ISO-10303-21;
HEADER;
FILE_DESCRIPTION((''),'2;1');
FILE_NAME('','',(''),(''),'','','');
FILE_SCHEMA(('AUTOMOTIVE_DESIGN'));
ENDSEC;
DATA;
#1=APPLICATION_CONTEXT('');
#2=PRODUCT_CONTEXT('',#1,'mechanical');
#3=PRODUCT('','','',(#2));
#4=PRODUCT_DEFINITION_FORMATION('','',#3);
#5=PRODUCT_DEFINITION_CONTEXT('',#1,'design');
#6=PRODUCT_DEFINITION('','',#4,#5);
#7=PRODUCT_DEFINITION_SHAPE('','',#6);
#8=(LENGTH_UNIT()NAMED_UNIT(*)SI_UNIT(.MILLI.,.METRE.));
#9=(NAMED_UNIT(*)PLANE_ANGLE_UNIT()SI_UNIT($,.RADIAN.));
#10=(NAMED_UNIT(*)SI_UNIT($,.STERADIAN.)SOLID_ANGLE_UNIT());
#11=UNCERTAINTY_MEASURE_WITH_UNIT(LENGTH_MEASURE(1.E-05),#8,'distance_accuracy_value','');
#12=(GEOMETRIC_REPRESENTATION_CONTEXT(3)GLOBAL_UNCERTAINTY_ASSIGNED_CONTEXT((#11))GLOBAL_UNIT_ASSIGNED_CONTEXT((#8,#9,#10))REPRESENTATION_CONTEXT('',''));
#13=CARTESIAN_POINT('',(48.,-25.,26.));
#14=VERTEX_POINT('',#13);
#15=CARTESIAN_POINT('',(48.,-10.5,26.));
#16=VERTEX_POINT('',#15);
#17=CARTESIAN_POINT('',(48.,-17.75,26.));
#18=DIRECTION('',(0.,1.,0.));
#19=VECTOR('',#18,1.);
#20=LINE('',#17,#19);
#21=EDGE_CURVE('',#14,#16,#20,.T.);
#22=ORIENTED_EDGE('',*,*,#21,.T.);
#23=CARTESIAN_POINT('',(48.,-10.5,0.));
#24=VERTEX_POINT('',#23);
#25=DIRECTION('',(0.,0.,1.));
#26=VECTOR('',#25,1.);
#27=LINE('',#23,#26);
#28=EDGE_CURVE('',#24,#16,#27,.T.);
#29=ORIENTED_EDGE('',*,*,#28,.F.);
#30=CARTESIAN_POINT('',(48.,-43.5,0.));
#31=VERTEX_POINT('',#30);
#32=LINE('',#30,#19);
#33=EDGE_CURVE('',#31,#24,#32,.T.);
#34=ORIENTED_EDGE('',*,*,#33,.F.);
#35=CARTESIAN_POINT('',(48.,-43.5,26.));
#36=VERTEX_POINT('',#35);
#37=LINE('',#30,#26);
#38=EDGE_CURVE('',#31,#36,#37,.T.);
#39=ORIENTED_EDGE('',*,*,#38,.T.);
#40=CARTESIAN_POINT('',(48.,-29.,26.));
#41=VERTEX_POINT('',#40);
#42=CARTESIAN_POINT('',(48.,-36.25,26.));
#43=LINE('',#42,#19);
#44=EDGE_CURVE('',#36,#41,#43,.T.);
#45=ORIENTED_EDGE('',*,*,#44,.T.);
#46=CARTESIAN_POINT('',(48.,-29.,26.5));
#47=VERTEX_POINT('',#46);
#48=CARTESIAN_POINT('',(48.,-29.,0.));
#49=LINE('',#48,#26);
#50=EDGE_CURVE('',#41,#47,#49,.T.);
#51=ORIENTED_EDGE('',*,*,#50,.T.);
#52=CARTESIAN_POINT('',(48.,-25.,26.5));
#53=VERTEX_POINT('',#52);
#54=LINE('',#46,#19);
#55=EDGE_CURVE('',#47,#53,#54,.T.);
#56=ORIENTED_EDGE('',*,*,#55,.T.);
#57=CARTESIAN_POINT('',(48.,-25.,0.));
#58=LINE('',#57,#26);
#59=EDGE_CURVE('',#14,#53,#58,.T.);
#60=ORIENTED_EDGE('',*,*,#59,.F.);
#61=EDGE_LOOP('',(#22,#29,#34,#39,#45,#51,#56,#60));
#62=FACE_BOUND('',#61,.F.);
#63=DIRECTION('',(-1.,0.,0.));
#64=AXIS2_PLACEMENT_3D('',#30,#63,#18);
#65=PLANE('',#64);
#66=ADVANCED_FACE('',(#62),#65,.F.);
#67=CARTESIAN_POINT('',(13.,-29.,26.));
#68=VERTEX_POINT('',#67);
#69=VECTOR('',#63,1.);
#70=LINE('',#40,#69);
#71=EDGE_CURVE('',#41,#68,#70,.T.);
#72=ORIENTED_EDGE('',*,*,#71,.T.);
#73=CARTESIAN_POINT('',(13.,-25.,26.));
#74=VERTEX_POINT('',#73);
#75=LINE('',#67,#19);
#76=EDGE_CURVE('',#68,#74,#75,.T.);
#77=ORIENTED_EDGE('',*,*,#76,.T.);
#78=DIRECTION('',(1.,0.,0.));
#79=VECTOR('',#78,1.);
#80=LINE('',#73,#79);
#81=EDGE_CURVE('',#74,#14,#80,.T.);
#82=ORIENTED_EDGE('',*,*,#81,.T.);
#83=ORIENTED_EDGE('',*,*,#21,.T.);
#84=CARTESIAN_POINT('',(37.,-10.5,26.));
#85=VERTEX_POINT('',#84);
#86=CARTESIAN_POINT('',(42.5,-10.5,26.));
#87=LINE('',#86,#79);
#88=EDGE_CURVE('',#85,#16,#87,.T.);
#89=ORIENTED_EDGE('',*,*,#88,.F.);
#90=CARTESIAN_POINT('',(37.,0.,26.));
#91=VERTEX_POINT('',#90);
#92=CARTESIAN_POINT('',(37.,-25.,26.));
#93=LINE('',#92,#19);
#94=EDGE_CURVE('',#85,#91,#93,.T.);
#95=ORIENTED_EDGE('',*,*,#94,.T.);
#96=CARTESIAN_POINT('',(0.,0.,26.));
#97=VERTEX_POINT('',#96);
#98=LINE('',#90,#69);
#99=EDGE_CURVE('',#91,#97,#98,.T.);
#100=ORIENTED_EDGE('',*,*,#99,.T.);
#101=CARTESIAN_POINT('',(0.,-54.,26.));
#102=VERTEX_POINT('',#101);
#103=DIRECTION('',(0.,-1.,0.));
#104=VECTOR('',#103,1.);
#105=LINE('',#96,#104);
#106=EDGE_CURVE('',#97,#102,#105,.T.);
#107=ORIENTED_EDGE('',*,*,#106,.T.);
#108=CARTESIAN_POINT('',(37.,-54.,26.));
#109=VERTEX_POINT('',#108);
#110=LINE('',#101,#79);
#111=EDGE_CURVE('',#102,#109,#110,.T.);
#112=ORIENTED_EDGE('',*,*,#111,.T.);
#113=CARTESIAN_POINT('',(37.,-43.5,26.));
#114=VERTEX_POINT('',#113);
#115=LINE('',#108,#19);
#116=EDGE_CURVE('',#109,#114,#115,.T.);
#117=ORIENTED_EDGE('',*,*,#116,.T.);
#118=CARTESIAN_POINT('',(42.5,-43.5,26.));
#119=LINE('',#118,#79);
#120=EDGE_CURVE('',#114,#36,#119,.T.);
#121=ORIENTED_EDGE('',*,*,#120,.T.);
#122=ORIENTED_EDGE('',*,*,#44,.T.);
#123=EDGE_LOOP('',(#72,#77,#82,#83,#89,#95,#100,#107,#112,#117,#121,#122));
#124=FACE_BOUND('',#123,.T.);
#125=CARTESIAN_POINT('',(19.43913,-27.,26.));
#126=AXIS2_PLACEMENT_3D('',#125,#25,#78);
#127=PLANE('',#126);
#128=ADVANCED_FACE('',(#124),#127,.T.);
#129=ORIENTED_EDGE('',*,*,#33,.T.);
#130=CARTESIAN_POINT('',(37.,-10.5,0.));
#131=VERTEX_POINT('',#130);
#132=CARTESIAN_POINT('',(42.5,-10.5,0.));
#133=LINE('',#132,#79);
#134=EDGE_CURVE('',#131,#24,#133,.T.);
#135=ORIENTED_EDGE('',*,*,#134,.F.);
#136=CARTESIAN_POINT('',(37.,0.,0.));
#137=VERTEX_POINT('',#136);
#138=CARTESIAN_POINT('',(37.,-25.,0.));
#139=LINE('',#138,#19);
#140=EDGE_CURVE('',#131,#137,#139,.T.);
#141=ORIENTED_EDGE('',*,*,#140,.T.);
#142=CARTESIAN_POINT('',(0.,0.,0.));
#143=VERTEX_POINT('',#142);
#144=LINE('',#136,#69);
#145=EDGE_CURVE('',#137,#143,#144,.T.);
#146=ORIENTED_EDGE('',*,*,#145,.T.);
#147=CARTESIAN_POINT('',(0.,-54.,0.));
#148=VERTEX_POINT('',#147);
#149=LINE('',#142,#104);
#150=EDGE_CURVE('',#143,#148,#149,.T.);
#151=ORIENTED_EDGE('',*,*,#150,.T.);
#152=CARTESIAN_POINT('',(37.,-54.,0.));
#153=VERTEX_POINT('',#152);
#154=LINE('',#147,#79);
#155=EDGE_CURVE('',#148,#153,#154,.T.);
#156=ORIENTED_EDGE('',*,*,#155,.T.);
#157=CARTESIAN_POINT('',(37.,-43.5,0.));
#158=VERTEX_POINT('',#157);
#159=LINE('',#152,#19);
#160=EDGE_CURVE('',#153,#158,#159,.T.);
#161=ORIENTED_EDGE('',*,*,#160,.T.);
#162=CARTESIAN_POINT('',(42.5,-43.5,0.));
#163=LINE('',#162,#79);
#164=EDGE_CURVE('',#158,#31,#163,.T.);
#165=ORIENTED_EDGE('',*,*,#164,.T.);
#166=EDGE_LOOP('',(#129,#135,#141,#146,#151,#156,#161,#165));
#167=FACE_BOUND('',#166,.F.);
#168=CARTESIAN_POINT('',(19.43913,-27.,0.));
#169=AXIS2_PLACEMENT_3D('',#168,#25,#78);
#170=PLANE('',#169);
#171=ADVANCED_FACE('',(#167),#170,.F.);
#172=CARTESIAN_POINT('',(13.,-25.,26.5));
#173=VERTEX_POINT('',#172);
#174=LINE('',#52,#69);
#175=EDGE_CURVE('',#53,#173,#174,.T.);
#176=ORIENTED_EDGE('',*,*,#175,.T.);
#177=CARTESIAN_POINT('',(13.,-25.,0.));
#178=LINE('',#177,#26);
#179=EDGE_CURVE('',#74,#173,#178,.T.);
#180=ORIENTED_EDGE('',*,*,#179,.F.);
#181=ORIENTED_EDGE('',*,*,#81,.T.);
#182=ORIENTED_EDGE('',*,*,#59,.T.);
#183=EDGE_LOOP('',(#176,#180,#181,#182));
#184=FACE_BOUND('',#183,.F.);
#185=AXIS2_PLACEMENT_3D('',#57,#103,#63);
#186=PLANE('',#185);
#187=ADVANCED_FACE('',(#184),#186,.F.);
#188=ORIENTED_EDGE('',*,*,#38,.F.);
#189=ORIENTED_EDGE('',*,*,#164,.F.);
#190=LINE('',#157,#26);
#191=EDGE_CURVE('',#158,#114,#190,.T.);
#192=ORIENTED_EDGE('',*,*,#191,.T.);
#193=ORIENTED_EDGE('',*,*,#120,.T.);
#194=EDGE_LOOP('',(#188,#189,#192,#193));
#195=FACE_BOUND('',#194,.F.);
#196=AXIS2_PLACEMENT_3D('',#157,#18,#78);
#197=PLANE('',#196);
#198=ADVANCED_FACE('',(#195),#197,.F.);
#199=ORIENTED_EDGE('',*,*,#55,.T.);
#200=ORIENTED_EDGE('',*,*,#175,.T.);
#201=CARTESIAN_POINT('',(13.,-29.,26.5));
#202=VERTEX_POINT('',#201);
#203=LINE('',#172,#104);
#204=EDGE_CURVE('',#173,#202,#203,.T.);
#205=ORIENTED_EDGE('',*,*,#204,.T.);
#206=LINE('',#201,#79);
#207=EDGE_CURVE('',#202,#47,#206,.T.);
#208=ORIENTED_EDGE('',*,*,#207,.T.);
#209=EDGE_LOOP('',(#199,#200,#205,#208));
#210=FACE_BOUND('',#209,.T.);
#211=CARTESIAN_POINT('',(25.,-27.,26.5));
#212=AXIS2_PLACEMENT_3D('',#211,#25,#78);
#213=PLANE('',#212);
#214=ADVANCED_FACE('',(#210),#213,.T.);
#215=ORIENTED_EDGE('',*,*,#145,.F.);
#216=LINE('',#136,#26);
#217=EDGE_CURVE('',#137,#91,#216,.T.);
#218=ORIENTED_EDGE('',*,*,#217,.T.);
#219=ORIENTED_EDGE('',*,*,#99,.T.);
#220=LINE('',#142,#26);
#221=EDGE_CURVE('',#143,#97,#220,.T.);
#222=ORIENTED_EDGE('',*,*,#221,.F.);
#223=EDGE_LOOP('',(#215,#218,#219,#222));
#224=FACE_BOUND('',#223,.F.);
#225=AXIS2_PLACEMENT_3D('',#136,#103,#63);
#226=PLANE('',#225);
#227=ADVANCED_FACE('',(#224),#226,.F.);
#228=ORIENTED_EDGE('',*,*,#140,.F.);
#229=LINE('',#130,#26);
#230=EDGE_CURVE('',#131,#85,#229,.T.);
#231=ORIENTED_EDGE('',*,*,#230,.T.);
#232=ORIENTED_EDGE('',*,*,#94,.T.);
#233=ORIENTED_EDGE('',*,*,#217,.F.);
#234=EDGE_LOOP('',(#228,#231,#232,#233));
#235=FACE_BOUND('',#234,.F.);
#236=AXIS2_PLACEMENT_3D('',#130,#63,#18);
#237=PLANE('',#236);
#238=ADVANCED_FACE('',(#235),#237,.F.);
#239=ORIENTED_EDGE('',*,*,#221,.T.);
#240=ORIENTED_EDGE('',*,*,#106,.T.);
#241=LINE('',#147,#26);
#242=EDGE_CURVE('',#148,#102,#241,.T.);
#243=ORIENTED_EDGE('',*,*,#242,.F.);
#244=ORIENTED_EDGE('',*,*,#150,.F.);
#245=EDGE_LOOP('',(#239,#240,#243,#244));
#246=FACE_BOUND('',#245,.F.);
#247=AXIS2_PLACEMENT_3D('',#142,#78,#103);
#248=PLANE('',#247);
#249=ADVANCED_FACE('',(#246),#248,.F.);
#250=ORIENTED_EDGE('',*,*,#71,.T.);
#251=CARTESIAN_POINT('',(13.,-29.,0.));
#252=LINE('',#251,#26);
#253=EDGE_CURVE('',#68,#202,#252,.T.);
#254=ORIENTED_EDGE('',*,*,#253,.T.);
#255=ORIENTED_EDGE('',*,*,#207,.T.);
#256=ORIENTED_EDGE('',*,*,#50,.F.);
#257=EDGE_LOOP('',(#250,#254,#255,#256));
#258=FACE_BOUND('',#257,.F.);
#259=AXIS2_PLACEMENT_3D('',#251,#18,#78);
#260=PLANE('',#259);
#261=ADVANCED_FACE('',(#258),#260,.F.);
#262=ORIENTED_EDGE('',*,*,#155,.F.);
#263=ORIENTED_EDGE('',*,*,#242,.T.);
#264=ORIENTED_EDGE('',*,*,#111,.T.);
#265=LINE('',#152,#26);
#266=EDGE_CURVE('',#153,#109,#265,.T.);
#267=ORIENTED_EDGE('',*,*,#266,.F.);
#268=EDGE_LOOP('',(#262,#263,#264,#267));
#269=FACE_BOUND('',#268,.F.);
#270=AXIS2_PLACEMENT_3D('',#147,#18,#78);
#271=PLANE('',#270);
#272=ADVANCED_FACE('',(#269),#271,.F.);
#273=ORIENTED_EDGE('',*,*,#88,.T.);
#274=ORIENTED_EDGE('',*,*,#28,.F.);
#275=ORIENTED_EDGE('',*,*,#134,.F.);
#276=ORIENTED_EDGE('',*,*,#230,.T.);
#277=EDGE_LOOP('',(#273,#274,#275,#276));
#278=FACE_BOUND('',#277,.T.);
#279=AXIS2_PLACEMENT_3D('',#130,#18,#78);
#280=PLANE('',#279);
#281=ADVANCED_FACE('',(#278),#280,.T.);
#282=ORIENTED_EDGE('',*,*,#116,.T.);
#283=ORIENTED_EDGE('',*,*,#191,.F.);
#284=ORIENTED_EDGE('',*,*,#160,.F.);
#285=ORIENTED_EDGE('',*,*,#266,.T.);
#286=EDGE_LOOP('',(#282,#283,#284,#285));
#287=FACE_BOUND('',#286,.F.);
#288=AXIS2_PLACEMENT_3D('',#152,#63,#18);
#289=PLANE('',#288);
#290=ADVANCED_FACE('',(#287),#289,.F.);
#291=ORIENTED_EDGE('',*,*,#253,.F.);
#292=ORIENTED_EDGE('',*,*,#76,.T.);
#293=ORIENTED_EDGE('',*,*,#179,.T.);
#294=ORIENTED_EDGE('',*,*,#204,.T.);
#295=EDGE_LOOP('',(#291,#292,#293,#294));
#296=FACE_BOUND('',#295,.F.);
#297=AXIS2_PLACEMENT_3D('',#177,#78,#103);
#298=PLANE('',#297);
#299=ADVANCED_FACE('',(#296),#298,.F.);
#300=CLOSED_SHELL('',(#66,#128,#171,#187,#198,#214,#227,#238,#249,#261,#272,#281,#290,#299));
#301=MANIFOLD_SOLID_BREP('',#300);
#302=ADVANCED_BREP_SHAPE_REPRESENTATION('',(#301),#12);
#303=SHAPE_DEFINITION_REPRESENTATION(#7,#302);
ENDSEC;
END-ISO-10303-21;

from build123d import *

# Parameters (mm, degrees)
F0_W     = 11
F0_H     = 14.5
F1_DEPTH = 26
F2_DEPTH = 26.5


with BuildPart() as f1:
    # F0 (on Top) → F1 (new body)
    with BuildSketch(Plane.XY):
        Polygon((37, 0), (0, 0), (0, -54), (37, -54), (37, -43.5), (37, -29), (13, -29), (13, -25), (37, -25), (37, -10.5), align=None)
        with Locations((42.5, -17.75)):
            Rectangle(F0_W, F0_H)
        with Locations((42.5, -36.25)):
            Rectangle(F0_W, F0_H)
    extrude(amount=F1_DEPTH)

    # F0 (on Top) → F2 (join)
    with BuildSketch(Plane.XY):
        Polygon((37, -27), (37, -25), (13, -25), (13, -29), (37, -29), align=None)
        Polygon((48, -25), (37, -25), (37, -27), (37, -29), (48, -29), align=None)
    extrude(amount=F2_DEPTH)


solid = f1.part
